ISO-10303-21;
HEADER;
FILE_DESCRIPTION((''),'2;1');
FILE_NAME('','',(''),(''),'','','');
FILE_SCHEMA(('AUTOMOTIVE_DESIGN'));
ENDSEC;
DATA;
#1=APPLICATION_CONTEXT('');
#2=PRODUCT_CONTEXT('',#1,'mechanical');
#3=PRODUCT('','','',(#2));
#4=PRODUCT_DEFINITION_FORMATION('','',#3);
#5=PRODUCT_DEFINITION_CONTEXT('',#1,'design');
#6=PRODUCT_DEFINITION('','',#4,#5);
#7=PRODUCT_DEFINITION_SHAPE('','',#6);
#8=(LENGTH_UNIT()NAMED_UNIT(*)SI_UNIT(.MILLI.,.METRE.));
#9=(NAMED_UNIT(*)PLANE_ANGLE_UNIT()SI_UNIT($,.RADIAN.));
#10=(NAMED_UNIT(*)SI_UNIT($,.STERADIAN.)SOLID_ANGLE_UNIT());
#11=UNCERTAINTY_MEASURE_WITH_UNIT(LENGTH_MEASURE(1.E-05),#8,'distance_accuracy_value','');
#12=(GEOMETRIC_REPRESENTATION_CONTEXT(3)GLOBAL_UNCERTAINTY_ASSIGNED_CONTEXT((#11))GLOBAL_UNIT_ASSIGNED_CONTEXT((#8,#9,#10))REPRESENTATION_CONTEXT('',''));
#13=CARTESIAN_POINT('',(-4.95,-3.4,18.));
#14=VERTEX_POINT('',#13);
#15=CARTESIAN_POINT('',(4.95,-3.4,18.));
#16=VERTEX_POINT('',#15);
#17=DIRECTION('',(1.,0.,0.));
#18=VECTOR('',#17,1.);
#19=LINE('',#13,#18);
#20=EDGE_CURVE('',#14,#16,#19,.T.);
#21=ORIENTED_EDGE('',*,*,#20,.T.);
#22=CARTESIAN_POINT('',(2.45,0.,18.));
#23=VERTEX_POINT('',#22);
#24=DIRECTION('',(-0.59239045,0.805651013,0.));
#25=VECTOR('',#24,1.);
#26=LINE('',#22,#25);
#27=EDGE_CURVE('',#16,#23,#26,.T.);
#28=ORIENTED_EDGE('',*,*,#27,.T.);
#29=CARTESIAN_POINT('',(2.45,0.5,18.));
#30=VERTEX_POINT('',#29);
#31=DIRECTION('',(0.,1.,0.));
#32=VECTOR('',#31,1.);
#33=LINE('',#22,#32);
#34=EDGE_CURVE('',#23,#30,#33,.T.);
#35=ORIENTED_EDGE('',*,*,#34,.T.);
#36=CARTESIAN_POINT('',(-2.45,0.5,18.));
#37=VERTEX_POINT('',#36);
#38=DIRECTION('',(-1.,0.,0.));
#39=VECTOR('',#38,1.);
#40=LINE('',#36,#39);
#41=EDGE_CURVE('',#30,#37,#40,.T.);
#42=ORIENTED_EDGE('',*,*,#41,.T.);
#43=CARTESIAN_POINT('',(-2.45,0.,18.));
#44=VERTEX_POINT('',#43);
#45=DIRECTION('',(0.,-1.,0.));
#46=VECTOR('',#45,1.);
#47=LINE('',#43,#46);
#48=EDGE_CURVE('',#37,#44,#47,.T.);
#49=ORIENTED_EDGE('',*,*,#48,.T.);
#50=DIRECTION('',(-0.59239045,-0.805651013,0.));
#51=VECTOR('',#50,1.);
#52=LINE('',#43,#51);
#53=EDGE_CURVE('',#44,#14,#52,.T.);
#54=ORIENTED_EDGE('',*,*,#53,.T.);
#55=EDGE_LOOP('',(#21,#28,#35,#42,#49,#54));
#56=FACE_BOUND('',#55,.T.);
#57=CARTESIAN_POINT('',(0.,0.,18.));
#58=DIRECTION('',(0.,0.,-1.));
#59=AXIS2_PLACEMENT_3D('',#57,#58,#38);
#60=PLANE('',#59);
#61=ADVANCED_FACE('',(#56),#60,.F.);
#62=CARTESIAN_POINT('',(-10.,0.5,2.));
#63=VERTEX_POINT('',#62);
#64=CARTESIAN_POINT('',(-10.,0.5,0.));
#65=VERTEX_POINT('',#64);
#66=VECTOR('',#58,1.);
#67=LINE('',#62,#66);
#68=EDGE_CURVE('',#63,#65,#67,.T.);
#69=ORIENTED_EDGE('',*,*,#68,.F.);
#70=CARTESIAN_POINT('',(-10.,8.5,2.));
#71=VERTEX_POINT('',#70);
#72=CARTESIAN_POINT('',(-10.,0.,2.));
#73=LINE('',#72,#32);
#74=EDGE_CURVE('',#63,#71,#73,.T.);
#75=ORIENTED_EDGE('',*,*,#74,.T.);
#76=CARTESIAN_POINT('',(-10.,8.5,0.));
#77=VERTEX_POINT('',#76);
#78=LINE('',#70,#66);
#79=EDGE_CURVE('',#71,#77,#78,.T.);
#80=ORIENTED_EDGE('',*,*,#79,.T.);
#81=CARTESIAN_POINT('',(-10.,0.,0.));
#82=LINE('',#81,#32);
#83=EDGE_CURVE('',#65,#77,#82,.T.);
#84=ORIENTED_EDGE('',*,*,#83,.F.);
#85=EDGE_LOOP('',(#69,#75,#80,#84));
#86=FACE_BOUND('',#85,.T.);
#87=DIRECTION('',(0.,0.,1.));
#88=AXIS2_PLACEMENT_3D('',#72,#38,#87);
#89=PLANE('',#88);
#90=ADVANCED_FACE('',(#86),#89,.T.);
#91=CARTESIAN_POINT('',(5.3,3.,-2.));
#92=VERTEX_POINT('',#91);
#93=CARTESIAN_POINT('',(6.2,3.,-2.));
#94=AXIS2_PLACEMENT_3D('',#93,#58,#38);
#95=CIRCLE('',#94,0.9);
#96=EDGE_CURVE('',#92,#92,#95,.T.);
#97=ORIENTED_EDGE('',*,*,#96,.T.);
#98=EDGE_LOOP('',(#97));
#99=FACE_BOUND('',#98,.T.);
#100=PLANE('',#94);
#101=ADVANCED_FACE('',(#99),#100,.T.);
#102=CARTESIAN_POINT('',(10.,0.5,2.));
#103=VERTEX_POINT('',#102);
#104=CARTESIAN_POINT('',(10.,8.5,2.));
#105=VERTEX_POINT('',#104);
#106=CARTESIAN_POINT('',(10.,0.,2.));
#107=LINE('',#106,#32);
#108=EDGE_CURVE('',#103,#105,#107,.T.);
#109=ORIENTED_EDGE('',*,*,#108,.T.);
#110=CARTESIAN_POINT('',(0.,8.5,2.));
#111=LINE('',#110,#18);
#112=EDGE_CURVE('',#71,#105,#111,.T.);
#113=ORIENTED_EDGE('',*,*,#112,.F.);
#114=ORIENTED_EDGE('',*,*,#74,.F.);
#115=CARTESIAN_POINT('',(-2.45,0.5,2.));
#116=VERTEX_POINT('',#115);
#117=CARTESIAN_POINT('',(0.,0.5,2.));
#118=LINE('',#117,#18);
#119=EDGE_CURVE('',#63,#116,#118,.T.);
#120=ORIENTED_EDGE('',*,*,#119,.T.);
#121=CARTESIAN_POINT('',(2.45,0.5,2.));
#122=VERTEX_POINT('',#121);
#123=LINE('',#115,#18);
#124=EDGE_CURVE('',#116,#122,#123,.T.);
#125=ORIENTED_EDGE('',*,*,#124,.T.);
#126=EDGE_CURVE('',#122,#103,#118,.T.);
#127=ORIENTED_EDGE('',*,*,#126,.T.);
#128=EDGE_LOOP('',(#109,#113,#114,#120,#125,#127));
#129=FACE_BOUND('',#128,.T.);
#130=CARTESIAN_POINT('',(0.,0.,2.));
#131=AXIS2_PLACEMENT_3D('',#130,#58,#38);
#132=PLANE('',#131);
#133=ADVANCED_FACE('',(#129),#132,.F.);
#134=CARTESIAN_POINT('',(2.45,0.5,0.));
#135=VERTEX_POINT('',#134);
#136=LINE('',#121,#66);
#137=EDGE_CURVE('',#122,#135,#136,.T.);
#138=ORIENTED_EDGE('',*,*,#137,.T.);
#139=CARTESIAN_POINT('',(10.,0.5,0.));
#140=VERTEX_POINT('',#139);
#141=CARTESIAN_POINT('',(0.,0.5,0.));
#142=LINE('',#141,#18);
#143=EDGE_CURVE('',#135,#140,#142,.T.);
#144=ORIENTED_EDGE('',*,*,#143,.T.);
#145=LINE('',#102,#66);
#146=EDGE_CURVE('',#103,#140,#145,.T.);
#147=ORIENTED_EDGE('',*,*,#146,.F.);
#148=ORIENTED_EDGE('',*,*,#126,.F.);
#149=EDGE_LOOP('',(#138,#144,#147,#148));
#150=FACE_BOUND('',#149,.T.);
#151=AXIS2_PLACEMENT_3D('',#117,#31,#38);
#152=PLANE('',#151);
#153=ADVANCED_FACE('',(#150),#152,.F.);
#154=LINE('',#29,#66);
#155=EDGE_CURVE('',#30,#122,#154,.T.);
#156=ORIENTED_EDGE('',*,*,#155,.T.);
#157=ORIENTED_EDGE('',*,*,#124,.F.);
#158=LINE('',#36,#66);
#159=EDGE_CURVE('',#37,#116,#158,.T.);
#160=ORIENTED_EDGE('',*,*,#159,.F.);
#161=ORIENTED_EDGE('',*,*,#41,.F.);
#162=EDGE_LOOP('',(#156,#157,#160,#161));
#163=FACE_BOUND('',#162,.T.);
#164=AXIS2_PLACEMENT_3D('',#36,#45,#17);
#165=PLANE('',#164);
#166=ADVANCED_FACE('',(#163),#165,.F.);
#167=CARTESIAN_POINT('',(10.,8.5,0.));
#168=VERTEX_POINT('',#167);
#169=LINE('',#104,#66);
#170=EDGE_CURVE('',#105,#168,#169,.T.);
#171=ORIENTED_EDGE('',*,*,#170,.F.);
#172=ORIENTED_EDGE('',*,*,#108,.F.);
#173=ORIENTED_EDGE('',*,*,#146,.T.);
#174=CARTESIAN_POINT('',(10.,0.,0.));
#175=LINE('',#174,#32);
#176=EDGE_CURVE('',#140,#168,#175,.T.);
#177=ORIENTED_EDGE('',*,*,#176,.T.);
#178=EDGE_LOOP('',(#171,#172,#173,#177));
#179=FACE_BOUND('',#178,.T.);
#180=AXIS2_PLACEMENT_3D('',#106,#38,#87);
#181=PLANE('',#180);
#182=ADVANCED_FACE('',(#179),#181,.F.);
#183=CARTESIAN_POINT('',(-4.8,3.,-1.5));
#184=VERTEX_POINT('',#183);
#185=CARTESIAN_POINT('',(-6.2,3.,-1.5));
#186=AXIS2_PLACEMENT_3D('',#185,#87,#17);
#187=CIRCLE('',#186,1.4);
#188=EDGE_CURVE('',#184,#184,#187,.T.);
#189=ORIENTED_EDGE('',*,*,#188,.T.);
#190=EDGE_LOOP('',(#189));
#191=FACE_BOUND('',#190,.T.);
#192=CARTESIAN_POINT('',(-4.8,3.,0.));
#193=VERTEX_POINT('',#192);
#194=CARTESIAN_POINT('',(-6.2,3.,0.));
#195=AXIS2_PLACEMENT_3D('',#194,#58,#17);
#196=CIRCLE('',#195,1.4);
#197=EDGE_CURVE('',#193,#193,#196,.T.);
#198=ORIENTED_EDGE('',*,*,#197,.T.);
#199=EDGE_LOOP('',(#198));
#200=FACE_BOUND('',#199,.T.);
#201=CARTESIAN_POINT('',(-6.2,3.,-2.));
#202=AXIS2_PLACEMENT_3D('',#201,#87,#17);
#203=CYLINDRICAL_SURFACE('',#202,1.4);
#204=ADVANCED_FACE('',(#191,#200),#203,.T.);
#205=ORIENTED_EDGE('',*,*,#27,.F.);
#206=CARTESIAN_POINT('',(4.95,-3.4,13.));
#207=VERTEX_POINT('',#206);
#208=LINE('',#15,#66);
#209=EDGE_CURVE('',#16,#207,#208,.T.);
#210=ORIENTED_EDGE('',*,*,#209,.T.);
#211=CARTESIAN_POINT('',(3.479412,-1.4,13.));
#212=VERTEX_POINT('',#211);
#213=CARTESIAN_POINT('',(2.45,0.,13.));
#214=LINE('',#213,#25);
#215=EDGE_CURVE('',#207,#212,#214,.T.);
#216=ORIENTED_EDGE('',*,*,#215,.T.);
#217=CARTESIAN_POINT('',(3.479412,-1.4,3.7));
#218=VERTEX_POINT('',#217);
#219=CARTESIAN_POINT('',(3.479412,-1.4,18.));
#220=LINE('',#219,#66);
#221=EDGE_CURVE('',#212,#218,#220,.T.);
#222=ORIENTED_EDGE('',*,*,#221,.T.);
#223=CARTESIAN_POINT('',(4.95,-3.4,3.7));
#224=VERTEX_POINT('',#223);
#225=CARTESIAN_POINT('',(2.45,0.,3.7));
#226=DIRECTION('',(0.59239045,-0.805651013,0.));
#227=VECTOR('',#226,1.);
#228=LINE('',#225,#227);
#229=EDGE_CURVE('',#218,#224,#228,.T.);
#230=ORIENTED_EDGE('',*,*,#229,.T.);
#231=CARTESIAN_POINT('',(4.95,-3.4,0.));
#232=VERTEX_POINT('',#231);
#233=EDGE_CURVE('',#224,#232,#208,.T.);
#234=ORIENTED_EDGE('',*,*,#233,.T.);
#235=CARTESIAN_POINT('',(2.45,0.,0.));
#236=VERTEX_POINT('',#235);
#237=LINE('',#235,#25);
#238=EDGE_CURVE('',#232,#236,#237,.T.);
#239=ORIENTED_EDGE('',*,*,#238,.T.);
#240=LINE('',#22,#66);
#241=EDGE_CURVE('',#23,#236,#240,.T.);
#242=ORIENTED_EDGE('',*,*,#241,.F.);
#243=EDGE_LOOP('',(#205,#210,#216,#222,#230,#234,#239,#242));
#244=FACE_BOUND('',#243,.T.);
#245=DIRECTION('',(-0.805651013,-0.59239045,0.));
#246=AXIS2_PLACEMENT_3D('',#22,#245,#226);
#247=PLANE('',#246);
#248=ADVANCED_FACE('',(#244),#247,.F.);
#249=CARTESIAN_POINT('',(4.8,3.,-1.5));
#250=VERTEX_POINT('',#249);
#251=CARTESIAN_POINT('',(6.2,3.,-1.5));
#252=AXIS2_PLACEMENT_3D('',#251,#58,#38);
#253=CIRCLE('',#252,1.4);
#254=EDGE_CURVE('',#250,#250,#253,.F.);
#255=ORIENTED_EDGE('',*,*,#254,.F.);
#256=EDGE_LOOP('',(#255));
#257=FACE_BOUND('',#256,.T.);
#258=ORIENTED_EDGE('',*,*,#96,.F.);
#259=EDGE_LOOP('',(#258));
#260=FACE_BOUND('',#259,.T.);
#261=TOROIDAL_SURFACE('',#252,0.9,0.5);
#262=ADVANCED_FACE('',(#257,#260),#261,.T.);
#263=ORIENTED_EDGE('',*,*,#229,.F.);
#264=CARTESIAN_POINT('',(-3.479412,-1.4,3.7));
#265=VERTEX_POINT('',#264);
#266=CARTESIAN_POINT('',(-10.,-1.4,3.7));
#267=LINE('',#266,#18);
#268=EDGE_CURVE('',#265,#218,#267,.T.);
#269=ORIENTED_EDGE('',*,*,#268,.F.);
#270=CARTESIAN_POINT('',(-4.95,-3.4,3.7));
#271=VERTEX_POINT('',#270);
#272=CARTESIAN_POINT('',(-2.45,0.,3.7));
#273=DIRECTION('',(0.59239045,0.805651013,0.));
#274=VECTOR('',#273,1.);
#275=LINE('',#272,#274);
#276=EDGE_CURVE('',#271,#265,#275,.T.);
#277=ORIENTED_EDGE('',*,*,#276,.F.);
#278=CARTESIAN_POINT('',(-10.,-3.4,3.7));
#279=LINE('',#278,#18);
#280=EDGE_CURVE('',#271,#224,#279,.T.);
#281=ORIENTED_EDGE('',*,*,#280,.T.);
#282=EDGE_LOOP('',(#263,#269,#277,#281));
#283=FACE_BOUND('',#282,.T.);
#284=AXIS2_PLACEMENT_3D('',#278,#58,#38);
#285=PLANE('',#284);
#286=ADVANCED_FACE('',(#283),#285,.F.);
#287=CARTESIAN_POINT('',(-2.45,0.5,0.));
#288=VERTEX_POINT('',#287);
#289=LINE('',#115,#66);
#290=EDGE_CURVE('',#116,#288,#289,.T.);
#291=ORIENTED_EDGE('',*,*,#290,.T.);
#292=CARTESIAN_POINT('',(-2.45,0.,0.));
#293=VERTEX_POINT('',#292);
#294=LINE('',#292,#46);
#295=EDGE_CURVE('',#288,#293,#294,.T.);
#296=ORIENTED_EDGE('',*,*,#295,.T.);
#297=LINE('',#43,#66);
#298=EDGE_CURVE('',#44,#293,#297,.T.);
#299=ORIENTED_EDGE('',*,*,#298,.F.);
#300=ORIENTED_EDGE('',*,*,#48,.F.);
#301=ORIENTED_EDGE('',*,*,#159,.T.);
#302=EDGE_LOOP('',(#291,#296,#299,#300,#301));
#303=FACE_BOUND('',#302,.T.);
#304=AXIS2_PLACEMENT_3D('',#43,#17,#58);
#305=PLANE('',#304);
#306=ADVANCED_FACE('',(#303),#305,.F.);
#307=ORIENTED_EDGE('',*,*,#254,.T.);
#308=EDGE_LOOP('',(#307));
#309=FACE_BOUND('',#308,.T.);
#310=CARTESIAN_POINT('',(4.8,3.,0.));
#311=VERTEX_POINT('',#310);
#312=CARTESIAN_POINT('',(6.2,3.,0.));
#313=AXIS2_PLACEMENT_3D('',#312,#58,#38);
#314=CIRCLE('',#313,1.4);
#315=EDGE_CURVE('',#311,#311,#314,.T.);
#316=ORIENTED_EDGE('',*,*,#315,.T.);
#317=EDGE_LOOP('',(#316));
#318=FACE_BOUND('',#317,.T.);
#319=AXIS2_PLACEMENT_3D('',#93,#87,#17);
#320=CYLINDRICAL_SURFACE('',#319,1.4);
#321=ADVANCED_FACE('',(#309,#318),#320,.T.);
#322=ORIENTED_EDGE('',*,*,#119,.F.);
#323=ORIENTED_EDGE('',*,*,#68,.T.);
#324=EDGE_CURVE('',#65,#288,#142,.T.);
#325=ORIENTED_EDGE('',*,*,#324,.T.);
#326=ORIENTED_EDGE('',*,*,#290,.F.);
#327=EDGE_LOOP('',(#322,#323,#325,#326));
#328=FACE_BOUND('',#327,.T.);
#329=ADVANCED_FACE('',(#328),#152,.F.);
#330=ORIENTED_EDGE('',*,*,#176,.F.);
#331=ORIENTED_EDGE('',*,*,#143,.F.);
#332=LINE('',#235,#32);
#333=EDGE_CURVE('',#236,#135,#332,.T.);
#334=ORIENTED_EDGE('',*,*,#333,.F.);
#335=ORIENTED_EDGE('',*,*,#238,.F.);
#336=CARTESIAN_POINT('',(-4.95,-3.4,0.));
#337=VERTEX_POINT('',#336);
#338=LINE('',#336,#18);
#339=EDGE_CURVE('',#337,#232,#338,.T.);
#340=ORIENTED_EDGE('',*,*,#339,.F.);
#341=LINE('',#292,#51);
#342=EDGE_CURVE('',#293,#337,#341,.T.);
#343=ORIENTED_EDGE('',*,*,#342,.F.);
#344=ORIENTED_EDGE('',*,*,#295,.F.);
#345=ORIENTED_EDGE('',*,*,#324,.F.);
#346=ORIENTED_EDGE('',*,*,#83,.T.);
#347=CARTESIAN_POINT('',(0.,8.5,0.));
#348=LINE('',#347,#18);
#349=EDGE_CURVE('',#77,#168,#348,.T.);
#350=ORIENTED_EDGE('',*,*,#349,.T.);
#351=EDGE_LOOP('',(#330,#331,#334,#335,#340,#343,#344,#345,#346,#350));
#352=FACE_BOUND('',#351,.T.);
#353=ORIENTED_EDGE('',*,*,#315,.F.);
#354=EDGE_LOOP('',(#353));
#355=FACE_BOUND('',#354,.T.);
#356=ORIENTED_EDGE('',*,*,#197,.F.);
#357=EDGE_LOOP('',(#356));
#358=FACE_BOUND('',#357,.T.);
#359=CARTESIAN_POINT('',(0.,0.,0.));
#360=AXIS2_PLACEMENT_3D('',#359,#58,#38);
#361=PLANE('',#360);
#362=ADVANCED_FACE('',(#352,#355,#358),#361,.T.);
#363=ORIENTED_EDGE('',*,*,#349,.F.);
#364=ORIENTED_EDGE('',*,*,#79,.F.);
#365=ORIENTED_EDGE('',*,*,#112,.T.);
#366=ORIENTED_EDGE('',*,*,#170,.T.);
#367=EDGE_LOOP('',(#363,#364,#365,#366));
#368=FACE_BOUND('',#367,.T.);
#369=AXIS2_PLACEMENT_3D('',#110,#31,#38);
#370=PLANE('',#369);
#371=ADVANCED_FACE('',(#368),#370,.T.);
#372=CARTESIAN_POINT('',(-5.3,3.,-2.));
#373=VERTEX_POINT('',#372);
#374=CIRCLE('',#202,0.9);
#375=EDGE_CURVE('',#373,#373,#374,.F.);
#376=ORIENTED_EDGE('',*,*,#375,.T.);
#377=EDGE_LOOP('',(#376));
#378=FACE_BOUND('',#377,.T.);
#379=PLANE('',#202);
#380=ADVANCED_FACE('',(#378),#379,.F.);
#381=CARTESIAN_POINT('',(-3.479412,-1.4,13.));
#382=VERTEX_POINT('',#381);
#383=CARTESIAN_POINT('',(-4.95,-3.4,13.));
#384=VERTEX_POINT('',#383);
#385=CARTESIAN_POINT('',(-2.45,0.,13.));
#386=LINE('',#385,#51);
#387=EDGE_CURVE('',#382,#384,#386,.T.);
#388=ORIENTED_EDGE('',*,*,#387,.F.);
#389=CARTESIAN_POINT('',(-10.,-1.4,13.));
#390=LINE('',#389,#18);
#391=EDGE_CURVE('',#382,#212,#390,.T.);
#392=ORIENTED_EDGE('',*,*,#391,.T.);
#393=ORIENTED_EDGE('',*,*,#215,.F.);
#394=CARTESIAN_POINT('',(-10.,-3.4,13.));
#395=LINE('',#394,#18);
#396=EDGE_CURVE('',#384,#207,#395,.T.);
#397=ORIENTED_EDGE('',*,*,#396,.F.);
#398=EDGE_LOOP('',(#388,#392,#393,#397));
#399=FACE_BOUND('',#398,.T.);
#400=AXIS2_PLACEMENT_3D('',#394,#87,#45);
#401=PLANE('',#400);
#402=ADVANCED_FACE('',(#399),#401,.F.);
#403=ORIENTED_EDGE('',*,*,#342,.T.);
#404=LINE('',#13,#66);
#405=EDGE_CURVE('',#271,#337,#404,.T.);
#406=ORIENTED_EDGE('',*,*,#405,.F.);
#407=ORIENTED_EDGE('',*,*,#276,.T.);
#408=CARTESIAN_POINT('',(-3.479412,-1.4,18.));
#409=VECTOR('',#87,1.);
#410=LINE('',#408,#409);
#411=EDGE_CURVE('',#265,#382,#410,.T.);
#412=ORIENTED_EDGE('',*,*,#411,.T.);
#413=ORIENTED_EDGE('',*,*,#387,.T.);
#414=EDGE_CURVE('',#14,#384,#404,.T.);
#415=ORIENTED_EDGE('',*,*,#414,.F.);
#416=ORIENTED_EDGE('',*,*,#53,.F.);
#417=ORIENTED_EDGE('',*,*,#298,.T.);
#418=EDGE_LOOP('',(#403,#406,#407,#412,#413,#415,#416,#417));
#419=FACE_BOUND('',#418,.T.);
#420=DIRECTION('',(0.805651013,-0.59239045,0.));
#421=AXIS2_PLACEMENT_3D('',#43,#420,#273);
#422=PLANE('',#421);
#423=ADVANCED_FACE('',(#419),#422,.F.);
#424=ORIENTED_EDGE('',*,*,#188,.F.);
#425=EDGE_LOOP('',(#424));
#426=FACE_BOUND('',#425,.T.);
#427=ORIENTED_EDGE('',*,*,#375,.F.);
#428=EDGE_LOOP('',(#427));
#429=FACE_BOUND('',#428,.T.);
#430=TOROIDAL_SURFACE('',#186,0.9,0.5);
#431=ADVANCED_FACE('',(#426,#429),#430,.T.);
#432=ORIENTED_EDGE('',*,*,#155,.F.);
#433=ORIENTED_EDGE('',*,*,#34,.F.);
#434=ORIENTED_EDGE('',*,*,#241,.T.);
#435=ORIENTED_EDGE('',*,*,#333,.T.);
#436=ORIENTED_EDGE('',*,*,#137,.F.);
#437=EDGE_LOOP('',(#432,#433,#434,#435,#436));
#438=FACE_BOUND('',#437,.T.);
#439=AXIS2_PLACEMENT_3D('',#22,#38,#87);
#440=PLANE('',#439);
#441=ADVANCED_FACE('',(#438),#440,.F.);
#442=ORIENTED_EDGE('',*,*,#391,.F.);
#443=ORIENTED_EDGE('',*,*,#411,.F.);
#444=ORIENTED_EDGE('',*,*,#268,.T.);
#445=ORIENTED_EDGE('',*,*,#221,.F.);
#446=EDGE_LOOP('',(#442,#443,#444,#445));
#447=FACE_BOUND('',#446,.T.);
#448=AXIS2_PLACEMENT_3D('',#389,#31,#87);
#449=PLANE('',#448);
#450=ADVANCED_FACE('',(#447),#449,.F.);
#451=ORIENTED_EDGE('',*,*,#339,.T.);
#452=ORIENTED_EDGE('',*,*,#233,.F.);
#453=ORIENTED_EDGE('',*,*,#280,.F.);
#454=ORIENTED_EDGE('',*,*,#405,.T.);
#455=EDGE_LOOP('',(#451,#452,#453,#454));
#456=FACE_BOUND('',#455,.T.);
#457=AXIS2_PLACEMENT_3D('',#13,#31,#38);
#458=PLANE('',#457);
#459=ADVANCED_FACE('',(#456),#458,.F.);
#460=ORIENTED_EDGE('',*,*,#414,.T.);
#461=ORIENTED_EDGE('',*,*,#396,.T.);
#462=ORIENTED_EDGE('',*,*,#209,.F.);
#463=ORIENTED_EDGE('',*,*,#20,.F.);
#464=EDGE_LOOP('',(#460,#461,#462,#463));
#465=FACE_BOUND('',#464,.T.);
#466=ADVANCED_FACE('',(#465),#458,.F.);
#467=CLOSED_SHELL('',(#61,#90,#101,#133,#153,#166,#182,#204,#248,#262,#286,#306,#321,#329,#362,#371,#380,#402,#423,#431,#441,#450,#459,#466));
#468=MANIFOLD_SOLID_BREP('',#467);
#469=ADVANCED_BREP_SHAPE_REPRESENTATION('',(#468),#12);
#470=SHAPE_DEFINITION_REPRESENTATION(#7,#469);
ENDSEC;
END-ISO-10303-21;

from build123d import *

# Parameters (mm, degrees)
BOSS_EXTRUDE1_DEPTH     = 18
SKETCH2_W               = 20
SKETCH2_H               = 8
BOSS_EXTRUDE2_DEPTH     = 2
CUT_EXTRUDE1_DEPTH      = 23.27666941
CUT_EXTRUDE1_DEPTH_BACK = 23.27666941
SKETCH3_W               = 9.3
SKETCH3_H               = 2
SKETCH4_R               = 1.4
BOSS_EXTRUDE3_DEPTH     = 2
FILLET1_R               = 0.5


with BuildPart() as part:
    # Sketch1 → Boss-Extrude1 (new body)
    with BuildSketch(Plane.XY):
        Polygon((-4.95, -3.4), (4.95, -3.4), (2.45, 0), (2.45, 0.5), (-2.45, 0.5), (-2.45, 0), align=None)
    extrude(amount=BOSS_EXTRUDE1_DEPTH)

    # Sketch2 → Boss-Extrude2 (add)
    with BuildSketch(Plane(origin=(0, 0, 0), x_dir=(-1, 0, 0), z_dir=(0, 0, -1))):
        with Locations((0, 4.5)):
            Rectangle(SKETCH2_W, SKETCH2_H)
    extrude(amount=-BOSS_EXTRUDE2_DEPTH)

    # Sketch3 → Cut-Extrude1 (cut, two sides: drawn at the far end of the back side and taken through both)
    with BuildSketch(Plane(origin=(0, 0, 0), x_dir=(0, 0, -1), z_dir=(1, 0, 0)).offset(-CUT_EXTRUDE1_DEPTH_BACK)):
        with Locations((-8.35, -2.4)):
            Rectangle(SKETCH3_W, SKETCH3_H)
    extrude(amount=CUT_EXTRUDE1_DEPTH + CUT_EXTRUDE1_DEPTH_BACK, mode=Mode.SUBTRACT)

    # Sketch4 → Boss-Extrude3 (add)
    with BuildSketch(Plane(origin=(0, 0, 0), x_dir=(-1, 0, 0), z_dir=(0, 0, -1))):
        with Locations((-6.2, 3)):
            Circle(SKETCH4_R)
        with Locations(Location((6.2, 3, 0), (0, 0, 180))):
            Circle(SKETCH4_R)
    extrude(amount=BOSS_EXTRUDE3_DEPTH)

    # Fillet1
    fillet1_edges = [part.edges().sort_by_distance(p)[0] for p in [
        (7.6, 3, -2),
        (-7.6, 3, -2),
    ]]
    fillet(fillet1_edges, radius=FILLET1_R)


solid = part.part
